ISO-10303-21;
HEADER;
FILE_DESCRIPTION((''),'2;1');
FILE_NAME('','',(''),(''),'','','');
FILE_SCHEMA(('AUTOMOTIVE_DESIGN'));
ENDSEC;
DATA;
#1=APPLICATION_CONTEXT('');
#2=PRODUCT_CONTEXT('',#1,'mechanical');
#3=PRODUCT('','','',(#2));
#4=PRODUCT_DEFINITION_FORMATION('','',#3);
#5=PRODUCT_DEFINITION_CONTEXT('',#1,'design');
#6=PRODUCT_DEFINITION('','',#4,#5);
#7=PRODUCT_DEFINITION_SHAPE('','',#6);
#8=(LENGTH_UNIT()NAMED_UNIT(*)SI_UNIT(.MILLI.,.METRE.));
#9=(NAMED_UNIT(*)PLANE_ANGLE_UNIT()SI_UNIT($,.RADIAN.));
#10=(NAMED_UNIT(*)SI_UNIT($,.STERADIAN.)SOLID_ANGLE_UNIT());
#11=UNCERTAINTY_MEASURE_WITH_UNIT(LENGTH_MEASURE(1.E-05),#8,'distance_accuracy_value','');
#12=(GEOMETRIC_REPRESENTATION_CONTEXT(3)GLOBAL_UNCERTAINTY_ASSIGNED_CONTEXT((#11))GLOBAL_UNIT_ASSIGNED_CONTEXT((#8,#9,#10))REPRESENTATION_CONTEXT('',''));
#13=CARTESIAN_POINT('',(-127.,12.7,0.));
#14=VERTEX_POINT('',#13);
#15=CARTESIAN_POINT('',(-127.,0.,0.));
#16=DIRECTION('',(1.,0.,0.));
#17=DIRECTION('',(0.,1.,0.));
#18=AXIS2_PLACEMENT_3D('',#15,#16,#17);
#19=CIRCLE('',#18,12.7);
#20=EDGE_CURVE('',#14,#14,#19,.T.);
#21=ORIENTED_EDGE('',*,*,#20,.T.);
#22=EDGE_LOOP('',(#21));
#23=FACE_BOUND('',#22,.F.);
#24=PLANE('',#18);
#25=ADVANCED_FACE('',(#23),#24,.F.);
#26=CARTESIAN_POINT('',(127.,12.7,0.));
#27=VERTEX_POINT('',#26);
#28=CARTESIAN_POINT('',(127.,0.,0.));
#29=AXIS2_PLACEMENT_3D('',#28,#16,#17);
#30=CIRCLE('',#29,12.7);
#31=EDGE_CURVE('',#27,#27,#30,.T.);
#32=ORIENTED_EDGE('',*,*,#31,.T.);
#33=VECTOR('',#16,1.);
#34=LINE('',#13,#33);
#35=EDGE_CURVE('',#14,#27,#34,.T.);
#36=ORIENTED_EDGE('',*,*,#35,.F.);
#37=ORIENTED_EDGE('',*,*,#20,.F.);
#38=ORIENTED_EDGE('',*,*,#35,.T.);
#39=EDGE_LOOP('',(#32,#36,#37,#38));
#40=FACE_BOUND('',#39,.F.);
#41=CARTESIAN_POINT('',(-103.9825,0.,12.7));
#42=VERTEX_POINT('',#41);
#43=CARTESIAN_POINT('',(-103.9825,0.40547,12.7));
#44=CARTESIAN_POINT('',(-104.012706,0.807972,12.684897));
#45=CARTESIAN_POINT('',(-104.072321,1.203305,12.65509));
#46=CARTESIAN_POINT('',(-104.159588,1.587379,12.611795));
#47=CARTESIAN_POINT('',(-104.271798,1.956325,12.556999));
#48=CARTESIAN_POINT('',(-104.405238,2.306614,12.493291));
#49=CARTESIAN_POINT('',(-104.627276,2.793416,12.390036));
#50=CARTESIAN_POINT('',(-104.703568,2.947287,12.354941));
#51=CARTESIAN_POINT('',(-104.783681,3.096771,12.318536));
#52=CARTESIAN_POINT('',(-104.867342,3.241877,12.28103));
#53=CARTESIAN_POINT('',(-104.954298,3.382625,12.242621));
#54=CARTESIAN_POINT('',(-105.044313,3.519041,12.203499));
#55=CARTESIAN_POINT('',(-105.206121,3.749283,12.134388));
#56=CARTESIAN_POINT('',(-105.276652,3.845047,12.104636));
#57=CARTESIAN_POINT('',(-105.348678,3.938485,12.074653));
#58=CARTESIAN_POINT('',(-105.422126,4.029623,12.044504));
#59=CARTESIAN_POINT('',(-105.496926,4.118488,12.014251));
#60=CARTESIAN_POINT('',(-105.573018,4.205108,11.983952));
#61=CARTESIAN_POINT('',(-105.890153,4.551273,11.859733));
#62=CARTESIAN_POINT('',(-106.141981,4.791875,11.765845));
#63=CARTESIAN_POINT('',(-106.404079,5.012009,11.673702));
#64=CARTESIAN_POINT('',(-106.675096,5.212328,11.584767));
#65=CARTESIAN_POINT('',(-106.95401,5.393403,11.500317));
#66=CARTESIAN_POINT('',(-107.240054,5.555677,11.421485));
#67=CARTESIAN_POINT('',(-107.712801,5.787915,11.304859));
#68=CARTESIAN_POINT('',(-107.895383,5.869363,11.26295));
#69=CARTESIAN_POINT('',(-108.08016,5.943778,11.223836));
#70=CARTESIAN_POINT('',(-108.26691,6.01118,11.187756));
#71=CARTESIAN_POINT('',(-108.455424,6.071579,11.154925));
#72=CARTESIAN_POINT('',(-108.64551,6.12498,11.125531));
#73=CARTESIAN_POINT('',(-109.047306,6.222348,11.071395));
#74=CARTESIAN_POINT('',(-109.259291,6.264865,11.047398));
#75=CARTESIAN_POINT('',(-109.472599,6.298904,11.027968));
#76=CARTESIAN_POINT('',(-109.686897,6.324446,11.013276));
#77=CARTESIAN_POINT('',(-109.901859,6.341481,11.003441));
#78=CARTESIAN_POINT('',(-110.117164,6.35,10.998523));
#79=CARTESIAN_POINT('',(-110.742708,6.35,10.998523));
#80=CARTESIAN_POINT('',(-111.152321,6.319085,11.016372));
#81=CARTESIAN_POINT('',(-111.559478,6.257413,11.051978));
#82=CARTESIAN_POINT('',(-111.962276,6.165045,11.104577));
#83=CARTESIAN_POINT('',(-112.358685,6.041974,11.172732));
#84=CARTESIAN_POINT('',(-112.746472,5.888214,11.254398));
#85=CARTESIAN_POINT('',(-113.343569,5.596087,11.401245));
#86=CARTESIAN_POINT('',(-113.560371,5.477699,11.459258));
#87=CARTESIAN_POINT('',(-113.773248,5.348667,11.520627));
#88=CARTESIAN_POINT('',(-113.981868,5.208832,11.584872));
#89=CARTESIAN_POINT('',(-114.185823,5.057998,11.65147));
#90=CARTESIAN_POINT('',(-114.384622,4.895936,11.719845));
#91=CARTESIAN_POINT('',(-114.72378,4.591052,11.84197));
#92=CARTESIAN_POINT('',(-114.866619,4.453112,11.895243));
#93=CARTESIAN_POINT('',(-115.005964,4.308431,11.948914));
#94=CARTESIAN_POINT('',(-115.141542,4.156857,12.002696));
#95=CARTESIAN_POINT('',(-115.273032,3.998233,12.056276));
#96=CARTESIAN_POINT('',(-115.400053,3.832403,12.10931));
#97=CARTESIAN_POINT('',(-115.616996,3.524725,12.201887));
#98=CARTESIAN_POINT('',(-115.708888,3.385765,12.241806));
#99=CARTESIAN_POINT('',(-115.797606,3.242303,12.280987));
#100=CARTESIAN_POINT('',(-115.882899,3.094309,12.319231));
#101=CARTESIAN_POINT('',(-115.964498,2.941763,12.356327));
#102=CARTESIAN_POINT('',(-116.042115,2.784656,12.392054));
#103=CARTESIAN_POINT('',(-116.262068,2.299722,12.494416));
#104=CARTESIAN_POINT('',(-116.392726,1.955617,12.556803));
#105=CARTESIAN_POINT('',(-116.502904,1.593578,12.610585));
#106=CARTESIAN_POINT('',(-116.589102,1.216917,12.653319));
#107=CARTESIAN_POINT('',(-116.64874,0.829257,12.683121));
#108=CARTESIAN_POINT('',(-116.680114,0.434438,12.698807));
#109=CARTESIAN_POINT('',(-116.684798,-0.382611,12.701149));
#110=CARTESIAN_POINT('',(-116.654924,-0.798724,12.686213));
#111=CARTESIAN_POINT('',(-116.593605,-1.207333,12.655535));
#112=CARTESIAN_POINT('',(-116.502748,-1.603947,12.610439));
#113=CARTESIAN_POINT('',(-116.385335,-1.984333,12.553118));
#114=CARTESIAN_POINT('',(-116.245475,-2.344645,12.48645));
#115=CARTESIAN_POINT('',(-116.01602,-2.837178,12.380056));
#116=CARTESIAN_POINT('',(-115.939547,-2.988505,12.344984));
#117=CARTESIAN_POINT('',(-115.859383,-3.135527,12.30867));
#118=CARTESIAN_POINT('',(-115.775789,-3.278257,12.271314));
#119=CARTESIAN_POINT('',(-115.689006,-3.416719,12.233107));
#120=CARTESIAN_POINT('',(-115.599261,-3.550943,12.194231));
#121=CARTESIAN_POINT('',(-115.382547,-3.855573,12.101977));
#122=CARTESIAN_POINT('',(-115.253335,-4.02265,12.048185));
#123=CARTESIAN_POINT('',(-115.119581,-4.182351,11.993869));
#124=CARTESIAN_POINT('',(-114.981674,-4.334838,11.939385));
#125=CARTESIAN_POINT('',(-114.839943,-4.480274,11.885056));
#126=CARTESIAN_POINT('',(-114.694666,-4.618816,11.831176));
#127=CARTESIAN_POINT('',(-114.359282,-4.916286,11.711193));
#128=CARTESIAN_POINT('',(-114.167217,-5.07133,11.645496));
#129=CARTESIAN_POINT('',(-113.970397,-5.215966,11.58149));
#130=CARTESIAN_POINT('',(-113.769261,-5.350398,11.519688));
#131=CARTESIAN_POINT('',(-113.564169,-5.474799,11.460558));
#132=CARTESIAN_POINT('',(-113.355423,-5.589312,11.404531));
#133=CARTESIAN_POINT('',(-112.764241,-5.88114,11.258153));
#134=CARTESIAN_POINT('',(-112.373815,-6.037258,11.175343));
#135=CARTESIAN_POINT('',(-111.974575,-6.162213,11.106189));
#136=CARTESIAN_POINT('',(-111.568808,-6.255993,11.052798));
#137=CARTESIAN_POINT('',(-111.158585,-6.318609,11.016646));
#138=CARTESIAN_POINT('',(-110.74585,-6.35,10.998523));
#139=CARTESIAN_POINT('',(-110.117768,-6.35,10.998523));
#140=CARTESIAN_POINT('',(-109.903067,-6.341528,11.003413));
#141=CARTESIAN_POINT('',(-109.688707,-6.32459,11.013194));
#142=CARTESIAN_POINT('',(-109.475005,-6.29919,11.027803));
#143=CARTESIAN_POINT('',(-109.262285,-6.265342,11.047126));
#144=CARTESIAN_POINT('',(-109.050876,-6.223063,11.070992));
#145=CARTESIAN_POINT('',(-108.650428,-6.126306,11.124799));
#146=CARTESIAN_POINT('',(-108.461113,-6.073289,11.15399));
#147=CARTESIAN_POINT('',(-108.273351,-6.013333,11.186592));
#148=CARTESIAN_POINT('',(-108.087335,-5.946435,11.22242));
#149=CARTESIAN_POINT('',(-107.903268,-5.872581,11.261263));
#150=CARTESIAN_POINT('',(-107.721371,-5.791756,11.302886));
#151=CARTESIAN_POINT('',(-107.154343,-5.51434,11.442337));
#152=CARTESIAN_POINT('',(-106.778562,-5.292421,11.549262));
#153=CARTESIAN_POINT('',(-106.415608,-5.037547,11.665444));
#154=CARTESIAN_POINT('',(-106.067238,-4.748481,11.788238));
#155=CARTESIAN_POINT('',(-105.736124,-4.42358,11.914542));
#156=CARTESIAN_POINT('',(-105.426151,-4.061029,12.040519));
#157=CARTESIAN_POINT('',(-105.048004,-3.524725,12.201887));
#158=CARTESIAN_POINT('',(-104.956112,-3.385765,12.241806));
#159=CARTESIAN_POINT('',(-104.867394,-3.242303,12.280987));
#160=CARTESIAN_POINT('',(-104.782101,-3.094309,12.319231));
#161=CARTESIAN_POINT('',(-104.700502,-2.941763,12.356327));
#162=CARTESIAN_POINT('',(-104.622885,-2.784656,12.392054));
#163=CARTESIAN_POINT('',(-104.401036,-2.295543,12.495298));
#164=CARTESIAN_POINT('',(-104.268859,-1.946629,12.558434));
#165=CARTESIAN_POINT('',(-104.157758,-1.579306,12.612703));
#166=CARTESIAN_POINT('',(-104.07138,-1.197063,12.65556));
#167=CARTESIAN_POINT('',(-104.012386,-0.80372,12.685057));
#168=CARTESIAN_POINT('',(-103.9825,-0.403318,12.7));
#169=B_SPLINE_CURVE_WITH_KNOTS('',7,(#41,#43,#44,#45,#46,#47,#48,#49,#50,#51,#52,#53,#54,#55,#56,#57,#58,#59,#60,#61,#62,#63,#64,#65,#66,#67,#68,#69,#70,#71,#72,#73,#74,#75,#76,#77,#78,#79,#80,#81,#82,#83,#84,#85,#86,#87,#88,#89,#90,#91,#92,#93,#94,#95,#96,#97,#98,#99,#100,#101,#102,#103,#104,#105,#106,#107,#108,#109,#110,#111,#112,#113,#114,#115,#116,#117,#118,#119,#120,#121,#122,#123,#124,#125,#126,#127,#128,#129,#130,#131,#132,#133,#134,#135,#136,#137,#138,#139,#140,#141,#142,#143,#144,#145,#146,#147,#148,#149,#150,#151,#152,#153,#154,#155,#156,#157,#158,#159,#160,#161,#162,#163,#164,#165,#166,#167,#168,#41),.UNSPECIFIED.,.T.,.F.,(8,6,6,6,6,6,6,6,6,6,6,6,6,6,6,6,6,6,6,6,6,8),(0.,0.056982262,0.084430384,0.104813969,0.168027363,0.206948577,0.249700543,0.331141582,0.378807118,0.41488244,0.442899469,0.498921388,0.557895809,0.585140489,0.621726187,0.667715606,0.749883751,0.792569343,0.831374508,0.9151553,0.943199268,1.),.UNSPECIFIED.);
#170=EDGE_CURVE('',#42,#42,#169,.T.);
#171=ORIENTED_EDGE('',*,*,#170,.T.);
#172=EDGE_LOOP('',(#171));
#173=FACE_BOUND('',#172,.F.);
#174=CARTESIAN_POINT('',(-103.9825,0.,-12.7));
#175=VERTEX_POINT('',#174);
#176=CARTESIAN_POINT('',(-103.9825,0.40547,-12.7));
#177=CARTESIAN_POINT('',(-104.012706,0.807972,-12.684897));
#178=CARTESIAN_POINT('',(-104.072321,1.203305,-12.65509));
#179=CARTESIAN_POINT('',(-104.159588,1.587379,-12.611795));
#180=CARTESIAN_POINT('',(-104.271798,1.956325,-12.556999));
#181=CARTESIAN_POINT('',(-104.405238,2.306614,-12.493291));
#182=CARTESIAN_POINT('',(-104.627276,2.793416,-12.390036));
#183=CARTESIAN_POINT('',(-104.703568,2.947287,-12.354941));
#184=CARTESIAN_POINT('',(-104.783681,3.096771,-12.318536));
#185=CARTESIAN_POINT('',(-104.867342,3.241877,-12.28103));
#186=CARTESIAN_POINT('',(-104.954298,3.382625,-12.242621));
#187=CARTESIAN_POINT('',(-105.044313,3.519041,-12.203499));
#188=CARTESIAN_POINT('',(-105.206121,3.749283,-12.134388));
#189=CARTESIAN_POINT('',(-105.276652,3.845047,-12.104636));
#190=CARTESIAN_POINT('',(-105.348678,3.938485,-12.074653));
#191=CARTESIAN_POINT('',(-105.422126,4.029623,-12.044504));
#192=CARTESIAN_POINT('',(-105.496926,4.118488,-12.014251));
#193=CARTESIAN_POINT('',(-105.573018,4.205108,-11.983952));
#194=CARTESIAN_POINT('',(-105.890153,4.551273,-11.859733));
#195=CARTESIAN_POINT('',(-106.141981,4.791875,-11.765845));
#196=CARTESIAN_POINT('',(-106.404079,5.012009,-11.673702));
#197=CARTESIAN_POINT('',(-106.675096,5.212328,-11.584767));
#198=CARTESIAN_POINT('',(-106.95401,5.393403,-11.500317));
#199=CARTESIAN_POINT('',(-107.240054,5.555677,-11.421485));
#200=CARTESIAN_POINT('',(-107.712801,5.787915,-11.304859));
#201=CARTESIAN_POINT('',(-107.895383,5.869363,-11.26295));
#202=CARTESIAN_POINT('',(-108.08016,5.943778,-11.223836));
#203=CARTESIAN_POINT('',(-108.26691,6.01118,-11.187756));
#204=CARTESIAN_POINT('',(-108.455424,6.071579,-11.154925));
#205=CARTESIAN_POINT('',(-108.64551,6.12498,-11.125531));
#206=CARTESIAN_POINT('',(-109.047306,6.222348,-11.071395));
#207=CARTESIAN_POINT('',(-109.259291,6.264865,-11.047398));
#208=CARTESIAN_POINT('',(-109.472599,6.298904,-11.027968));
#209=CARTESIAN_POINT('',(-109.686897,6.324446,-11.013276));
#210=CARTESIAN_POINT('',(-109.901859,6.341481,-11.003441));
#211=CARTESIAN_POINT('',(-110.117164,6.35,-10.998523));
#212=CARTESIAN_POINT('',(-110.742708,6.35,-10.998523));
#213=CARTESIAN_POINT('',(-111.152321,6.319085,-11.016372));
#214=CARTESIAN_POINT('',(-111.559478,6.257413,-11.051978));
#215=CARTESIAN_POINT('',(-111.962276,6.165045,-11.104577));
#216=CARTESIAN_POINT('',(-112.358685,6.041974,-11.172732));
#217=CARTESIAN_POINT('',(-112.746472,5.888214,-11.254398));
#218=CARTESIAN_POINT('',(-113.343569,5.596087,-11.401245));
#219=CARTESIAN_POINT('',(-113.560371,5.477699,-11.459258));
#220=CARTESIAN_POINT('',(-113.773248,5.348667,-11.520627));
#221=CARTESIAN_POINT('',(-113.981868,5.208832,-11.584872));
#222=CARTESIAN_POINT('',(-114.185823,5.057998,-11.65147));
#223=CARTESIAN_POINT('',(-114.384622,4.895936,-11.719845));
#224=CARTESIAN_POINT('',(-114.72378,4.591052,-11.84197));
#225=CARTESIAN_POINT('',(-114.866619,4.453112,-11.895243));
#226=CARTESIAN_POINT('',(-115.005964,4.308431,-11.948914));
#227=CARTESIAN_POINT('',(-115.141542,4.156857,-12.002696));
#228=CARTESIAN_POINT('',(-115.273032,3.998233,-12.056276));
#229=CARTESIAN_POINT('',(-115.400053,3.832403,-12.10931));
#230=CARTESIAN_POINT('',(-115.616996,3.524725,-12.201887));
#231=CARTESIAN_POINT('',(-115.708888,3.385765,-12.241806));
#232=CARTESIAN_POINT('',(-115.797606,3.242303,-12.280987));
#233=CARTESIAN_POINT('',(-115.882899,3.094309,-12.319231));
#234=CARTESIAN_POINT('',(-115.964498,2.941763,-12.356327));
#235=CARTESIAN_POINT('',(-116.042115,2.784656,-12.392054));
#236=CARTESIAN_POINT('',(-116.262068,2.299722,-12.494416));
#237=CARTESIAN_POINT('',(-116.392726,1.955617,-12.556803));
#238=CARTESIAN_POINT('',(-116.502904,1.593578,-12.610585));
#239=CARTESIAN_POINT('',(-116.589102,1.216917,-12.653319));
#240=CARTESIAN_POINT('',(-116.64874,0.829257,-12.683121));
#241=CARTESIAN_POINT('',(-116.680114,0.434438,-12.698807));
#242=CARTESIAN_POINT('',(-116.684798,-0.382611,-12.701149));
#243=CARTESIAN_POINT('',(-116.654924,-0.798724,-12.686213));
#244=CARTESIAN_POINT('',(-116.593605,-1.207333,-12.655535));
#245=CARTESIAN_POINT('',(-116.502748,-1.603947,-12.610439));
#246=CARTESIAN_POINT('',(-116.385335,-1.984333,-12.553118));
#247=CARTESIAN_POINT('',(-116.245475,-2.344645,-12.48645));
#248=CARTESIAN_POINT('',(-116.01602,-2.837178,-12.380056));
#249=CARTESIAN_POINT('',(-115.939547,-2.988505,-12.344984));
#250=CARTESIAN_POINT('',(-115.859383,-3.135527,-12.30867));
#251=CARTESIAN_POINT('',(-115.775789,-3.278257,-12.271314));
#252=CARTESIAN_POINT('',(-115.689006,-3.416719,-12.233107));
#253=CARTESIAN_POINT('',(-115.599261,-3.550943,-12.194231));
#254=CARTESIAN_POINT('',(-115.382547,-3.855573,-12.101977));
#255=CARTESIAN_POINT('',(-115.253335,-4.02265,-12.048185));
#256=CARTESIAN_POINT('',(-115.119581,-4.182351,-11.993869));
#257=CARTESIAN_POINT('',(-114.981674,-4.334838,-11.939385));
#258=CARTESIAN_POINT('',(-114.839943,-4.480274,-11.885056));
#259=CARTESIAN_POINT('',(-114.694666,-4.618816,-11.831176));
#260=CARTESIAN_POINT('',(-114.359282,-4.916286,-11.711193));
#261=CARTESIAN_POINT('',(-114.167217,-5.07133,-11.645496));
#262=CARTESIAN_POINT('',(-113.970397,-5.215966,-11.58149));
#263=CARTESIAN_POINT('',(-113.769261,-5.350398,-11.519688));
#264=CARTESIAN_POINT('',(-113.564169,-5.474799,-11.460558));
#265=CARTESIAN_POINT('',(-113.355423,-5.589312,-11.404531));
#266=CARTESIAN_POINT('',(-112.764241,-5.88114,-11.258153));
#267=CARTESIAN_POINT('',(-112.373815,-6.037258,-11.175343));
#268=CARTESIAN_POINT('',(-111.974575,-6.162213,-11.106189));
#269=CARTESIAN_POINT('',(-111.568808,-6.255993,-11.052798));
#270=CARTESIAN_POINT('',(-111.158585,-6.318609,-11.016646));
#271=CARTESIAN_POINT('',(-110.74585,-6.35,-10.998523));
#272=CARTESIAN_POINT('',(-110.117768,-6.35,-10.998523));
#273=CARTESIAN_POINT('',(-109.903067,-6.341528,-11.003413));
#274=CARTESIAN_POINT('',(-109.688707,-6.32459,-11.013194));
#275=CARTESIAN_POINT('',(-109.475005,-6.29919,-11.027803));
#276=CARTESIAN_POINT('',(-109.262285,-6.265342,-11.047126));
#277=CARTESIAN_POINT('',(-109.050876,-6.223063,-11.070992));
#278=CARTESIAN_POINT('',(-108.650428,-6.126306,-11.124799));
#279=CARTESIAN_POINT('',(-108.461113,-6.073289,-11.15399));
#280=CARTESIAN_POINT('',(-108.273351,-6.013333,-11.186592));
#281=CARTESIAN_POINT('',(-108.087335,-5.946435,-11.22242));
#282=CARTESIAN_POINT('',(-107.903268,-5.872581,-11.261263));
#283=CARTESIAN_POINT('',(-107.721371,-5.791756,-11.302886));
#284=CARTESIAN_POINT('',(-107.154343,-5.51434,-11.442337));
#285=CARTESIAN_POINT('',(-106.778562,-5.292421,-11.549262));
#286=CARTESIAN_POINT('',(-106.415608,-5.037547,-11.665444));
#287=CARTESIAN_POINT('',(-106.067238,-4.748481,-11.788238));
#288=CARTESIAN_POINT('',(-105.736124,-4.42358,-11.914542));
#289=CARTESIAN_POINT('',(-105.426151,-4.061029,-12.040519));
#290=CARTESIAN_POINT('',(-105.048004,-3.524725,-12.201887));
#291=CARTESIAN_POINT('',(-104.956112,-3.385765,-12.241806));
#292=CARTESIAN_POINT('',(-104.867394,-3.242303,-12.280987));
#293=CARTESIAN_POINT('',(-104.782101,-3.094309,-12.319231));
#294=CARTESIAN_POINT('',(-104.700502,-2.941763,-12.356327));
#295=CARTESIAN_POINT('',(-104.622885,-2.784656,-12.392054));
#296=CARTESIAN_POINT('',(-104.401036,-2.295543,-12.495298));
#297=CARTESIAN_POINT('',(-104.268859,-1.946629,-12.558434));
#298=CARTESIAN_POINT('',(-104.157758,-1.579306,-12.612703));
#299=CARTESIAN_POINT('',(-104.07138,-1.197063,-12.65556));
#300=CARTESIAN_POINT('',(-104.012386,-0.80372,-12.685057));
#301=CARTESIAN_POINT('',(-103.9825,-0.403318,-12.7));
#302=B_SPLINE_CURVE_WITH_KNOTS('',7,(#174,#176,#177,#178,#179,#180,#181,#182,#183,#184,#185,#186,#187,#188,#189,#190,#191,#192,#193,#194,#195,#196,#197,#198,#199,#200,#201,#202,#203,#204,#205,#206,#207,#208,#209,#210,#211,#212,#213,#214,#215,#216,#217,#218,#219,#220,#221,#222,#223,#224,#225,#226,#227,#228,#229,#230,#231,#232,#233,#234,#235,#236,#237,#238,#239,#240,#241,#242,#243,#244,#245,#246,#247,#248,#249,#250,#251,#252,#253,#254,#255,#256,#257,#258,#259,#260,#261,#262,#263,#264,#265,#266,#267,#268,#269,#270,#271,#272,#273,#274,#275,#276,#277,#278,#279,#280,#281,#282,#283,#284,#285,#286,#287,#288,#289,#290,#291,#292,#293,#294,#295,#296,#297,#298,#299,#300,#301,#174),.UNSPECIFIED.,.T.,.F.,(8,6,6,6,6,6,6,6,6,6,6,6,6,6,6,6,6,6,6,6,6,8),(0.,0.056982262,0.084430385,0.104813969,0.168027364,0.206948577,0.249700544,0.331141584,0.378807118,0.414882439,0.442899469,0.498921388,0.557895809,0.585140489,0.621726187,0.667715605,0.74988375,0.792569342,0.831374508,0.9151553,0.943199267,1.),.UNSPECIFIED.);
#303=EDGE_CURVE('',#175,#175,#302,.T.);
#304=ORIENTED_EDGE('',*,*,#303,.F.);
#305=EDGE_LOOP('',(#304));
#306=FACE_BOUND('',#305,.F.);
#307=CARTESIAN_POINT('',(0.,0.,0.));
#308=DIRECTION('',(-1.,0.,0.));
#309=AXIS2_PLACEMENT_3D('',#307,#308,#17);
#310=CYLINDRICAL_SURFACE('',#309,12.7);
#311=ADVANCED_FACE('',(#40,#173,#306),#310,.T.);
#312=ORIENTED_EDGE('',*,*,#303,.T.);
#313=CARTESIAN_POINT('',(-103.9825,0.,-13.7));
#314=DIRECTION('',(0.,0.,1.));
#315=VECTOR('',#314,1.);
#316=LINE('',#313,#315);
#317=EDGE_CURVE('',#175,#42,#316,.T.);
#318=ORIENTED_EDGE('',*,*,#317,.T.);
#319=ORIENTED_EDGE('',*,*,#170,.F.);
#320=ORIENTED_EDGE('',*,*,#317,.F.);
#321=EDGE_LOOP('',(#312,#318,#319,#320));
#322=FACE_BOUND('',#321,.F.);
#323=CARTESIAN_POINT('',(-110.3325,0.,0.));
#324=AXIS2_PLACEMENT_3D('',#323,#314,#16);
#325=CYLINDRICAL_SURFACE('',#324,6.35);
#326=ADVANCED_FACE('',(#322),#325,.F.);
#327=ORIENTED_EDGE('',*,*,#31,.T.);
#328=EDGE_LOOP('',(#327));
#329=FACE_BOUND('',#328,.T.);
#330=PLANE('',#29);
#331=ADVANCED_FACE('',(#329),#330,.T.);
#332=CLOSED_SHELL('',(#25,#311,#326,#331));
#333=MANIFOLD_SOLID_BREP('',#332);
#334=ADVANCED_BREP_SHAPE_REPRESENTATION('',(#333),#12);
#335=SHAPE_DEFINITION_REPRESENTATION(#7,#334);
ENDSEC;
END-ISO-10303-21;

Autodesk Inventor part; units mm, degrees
ref_plane "XZ Plane" through (0, 0, 0) normal (0, 1, 0) x (-1, 0, 0)
sketch "Sketch1" plane through (0, 0, 0) normal (1, 0, 0) x (0, 1, 0)
  circle A0 centre (0, 0) radius 12.7
  dimension "d0" = 25.4
extrude "Extrusion1" add sketch "Sketch1" along normal mid plane 254
sketch "Sketch3" plane through (0, 0, 0) normal (0, 0, 1) x (1, 0, 0)
  line L0 (-127, 12.7) -> (-127, -12.7) construction
  line L1 (-127, 0) -> (0, 0) construction
  circle A0 centre (-110.3325, 0) radius 6.35
  dimension "d4" = 12.7
extrude "Extrusion2" cut sketch "Sketch3" against normal through all both and the other way through all
properties part number "plungerForTrigger"
